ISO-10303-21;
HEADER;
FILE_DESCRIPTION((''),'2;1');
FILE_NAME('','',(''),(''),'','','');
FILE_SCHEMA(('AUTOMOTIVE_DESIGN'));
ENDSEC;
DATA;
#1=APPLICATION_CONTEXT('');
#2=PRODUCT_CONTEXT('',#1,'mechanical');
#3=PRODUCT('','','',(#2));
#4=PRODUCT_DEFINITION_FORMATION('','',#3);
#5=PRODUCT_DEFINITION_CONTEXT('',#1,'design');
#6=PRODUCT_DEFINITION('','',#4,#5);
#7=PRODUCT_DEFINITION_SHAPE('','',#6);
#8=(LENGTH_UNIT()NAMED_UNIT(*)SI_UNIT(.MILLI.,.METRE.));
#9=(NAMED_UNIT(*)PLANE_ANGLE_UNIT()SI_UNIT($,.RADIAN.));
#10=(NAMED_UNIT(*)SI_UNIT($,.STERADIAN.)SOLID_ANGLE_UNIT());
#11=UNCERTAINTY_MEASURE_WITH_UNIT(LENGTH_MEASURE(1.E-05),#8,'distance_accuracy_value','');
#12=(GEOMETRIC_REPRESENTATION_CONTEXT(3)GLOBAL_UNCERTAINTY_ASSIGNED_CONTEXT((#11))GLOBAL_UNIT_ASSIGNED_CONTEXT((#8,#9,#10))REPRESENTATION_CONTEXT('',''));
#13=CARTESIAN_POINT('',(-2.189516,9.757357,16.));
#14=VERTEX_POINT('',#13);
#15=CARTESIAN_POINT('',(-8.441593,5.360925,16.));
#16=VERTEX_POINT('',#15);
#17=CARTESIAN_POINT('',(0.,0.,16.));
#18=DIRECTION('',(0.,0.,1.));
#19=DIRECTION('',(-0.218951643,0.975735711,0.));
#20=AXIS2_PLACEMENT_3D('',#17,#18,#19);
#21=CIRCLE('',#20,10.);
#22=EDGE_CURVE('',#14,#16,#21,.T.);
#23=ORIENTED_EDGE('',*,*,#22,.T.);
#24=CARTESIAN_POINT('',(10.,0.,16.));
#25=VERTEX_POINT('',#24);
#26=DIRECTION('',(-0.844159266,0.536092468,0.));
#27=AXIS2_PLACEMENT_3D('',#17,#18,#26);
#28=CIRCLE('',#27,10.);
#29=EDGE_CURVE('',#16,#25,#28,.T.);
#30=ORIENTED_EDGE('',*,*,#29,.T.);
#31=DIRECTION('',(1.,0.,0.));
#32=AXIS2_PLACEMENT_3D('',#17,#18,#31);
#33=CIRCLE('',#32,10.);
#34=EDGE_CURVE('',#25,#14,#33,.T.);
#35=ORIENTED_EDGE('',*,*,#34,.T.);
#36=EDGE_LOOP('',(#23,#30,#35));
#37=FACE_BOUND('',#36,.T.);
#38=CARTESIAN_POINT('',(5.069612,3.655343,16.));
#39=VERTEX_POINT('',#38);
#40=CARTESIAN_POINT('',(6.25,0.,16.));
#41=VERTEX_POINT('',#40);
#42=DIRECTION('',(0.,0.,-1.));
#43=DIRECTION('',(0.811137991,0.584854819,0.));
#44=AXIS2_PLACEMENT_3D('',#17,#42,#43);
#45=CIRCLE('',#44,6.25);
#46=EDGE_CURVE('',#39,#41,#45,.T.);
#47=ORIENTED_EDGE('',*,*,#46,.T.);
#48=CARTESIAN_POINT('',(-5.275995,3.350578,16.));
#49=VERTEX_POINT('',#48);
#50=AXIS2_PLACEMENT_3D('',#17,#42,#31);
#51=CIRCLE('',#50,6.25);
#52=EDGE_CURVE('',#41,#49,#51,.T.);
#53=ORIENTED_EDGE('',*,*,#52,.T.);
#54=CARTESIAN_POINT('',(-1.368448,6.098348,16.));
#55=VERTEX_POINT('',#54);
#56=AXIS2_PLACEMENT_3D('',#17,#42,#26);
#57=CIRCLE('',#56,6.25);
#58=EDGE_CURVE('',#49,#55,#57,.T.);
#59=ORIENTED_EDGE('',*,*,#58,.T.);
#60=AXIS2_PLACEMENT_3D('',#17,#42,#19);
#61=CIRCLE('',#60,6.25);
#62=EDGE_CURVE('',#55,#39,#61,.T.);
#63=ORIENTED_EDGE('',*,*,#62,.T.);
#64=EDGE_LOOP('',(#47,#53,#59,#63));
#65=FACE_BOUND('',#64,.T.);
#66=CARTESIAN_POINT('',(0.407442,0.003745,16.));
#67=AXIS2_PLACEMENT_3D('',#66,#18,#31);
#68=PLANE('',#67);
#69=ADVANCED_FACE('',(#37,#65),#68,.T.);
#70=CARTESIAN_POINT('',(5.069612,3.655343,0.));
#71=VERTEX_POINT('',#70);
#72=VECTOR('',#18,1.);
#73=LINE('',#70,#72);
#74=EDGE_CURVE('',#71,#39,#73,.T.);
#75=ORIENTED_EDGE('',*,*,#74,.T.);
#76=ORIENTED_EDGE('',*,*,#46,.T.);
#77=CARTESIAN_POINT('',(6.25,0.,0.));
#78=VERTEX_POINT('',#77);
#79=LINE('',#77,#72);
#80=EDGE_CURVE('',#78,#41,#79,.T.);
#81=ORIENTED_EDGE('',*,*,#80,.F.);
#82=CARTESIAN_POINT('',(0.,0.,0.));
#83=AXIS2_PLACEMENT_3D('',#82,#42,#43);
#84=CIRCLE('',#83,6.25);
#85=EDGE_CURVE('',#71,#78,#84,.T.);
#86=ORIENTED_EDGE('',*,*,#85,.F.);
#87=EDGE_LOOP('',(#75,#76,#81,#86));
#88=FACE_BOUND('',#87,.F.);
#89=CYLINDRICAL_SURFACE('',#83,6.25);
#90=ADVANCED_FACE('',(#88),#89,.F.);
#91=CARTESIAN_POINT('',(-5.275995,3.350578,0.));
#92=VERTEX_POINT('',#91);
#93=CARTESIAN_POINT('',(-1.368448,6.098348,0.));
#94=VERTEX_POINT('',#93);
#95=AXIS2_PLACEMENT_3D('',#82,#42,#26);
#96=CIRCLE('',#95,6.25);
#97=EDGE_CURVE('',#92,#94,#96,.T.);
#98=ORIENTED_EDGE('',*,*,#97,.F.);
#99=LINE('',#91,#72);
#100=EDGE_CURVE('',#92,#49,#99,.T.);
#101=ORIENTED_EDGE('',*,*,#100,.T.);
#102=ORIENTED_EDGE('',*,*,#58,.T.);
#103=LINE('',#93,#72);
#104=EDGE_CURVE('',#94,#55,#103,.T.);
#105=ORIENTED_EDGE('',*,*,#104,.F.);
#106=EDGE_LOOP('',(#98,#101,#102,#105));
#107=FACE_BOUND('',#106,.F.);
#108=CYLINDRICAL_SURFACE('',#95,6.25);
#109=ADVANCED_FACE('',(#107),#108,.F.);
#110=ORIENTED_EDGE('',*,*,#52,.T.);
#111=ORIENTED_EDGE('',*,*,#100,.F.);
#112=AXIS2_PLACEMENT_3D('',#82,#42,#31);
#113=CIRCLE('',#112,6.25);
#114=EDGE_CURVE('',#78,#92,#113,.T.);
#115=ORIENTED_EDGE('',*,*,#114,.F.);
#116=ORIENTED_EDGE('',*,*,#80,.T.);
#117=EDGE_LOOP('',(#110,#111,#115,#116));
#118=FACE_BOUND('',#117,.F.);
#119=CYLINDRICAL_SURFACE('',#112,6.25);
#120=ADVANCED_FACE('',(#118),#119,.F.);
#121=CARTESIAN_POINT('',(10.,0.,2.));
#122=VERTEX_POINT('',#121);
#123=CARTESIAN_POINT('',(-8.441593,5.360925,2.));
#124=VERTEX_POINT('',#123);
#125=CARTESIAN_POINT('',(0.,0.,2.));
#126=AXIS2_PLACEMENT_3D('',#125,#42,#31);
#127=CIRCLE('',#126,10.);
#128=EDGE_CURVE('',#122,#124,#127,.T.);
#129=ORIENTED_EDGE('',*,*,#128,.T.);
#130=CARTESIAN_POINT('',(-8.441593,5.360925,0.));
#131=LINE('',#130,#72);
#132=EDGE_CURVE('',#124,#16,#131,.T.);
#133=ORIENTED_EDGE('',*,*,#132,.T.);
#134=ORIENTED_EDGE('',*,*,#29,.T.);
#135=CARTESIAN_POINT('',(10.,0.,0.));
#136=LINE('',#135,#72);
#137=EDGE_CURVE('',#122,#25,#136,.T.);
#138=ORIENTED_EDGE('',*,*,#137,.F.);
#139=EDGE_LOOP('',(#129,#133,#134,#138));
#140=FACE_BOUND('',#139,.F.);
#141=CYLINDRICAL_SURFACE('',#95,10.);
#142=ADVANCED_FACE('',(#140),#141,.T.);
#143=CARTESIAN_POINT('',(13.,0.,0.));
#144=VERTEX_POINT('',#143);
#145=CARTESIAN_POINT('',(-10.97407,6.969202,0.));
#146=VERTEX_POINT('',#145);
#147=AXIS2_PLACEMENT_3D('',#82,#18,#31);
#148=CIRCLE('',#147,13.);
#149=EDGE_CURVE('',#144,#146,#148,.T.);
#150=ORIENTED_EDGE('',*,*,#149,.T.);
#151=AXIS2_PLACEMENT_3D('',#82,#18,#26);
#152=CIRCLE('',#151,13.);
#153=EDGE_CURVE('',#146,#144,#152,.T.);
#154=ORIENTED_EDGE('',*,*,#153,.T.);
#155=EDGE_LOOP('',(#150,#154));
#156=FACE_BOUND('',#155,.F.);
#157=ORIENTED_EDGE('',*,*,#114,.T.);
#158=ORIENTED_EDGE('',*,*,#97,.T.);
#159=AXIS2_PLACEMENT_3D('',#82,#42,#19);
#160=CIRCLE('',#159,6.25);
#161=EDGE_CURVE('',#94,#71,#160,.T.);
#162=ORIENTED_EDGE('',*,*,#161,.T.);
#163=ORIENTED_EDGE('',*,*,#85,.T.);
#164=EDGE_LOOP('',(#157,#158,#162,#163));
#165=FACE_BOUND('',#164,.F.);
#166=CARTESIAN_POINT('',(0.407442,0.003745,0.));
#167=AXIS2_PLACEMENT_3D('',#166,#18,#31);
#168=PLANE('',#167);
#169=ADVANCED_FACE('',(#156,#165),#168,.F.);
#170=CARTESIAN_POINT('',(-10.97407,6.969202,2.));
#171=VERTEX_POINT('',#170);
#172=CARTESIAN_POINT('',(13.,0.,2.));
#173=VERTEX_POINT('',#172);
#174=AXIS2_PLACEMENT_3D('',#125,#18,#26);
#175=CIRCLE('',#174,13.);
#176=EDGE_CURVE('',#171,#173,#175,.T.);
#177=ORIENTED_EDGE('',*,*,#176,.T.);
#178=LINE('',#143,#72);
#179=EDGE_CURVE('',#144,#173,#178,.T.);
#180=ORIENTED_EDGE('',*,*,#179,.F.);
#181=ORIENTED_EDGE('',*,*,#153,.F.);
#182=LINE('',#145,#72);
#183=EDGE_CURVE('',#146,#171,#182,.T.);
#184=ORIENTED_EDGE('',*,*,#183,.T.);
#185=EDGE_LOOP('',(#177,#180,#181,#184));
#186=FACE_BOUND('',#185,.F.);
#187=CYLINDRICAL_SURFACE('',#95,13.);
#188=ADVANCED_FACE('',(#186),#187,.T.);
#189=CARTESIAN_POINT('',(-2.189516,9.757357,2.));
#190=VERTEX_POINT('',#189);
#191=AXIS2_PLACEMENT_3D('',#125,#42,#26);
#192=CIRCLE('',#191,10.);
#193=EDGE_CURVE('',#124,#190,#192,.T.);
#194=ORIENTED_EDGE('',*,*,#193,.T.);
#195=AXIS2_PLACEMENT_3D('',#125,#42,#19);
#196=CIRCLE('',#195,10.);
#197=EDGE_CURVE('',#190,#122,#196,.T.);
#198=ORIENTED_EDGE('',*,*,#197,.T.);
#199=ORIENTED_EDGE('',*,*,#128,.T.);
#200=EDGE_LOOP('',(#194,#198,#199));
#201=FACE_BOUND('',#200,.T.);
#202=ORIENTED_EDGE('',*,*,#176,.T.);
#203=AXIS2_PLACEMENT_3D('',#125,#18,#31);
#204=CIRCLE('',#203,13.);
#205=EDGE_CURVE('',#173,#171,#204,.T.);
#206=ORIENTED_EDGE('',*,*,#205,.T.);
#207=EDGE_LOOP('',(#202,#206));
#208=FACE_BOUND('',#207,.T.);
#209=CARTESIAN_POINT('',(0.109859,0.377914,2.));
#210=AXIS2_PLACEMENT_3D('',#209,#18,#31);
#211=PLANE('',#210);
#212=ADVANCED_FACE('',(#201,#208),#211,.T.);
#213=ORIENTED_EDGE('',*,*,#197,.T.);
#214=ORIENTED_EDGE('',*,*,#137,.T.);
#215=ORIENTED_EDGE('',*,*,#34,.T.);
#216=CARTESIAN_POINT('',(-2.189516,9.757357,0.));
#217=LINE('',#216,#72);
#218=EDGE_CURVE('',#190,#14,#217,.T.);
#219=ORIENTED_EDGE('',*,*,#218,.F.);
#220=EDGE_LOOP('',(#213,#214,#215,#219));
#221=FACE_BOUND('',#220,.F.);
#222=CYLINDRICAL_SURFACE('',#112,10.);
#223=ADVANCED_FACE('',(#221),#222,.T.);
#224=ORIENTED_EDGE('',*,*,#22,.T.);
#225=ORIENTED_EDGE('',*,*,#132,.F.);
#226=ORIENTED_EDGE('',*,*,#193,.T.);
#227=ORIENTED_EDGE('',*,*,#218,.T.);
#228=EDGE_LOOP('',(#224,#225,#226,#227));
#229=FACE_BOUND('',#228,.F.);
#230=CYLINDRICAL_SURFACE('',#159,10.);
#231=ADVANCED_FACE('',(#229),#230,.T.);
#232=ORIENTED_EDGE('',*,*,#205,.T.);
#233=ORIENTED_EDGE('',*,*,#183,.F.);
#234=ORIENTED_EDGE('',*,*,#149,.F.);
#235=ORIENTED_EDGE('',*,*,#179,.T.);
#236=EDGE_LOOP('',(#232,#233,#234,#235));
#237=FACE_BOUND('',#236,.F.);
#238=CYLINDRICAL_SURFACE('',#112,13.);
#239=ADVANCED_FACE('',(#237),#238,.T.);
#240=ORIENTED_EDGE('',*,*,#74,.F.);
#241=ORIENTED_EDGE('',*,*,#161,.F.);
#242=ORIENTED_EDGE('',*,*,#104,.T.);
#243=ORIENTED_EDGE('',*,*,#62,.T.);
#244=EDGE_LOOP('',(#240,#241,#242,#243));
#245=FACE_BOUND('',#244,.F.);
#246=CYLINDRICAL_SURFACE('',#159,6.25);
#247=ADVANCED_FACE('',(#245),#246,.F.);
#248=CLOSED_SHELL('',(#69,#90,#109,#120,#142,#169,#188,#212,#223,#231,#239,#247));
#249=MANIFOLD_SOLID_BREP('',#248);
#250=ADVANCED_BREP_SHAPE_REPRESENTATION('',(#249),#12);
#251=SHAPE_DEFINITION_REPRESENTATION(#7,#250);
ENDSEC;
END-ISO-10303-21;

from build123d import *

# Parameters (mm, degrees)
F1_DEPTH = 2
F2_DEPTH = 16


with BuildPart() as f1:
    # F0 (on Top) → F1 (new body)
    with BuildSketch(Plane.XY):
        with BuildLine():
            ThreePointArc((13, 0), (3.628848584, 12.4832470918), (-10.9740704545, 6.969202082))
            ThreePointArc((-10.9740704545, 6.969202082), (-3.628848584, -12.4832470918), (13, 0))
        make_face()
        with BuildLine():
            ThreePointArc((10, 0), (-2.7914219877, -9.6024977629), (-8.4415926573, 5.3609246784))
            ThreePointArc((-8.4415926573, 5.3609246784), (-5.7521539146, 8.1800198865), (-2.1895164333, 9.7573571108))
            ThreePointArc((-2.1895164333, 9.7573571108), (6.2491933746, 7.8068932468), (10, 0))
        make_face(mode=Mode.SUBTRACT)
    extrude(amount=F1_DEPTH)

    # F0 (on Top) → F2 (join)
    with BuildSketch(Plane.XY):
        with BuildLine():
            ThreePointArc((-1.3684477708, 6.0983481943), (2.2173687229, 5.8434387091), (5.0696124466, 3.6553426161))
            ThreePointArc((5.0696124466, 3.6553426161), (5.9475868128, 1.9206017558), (6.25, 0))
            ThreePointArc((6.25, 0), (-1.7446387423, -6.0015611018), (-5.2759954108, 3.350577924))
            Line((-5.2759954108, 3.350577924), (-8.4415926573, 5.3609246784))
            ThreePointArc((-8.4415926573, 5.3609246784), (-2.7914219877, -9.6024977629), (10, 0))
            ThreePointArc((10, 0), (6.2491933746, 7.8068932468), (-2.1895164333, 9.7573571108))
            Line((-2.1895164333, 9.7573571108), (-1.3684477708, 6.0983481943))
        make_face()
        with BuildLine():
            Line((-8.4415926573, 5.3609246784), (-5.2759954108, 3.350577924))
            ThreePointArc((-5.2759954108, 3.350577924), (-3.5950961966, 5.112512429), (-1.3684477708, 6.0983481943))
            Line((-1.3684477708, 6.0983481943), (-2.1895164333, 9.7573571108))
            ThreePointArc((-2.1895164333, 9.7573571108), (-5.7521539146, 8.1800198865), (-8.4415926573, 5.3609246784))
        make_face()
    extrude(amount=F2_DEPTH)


solid = f1.part
